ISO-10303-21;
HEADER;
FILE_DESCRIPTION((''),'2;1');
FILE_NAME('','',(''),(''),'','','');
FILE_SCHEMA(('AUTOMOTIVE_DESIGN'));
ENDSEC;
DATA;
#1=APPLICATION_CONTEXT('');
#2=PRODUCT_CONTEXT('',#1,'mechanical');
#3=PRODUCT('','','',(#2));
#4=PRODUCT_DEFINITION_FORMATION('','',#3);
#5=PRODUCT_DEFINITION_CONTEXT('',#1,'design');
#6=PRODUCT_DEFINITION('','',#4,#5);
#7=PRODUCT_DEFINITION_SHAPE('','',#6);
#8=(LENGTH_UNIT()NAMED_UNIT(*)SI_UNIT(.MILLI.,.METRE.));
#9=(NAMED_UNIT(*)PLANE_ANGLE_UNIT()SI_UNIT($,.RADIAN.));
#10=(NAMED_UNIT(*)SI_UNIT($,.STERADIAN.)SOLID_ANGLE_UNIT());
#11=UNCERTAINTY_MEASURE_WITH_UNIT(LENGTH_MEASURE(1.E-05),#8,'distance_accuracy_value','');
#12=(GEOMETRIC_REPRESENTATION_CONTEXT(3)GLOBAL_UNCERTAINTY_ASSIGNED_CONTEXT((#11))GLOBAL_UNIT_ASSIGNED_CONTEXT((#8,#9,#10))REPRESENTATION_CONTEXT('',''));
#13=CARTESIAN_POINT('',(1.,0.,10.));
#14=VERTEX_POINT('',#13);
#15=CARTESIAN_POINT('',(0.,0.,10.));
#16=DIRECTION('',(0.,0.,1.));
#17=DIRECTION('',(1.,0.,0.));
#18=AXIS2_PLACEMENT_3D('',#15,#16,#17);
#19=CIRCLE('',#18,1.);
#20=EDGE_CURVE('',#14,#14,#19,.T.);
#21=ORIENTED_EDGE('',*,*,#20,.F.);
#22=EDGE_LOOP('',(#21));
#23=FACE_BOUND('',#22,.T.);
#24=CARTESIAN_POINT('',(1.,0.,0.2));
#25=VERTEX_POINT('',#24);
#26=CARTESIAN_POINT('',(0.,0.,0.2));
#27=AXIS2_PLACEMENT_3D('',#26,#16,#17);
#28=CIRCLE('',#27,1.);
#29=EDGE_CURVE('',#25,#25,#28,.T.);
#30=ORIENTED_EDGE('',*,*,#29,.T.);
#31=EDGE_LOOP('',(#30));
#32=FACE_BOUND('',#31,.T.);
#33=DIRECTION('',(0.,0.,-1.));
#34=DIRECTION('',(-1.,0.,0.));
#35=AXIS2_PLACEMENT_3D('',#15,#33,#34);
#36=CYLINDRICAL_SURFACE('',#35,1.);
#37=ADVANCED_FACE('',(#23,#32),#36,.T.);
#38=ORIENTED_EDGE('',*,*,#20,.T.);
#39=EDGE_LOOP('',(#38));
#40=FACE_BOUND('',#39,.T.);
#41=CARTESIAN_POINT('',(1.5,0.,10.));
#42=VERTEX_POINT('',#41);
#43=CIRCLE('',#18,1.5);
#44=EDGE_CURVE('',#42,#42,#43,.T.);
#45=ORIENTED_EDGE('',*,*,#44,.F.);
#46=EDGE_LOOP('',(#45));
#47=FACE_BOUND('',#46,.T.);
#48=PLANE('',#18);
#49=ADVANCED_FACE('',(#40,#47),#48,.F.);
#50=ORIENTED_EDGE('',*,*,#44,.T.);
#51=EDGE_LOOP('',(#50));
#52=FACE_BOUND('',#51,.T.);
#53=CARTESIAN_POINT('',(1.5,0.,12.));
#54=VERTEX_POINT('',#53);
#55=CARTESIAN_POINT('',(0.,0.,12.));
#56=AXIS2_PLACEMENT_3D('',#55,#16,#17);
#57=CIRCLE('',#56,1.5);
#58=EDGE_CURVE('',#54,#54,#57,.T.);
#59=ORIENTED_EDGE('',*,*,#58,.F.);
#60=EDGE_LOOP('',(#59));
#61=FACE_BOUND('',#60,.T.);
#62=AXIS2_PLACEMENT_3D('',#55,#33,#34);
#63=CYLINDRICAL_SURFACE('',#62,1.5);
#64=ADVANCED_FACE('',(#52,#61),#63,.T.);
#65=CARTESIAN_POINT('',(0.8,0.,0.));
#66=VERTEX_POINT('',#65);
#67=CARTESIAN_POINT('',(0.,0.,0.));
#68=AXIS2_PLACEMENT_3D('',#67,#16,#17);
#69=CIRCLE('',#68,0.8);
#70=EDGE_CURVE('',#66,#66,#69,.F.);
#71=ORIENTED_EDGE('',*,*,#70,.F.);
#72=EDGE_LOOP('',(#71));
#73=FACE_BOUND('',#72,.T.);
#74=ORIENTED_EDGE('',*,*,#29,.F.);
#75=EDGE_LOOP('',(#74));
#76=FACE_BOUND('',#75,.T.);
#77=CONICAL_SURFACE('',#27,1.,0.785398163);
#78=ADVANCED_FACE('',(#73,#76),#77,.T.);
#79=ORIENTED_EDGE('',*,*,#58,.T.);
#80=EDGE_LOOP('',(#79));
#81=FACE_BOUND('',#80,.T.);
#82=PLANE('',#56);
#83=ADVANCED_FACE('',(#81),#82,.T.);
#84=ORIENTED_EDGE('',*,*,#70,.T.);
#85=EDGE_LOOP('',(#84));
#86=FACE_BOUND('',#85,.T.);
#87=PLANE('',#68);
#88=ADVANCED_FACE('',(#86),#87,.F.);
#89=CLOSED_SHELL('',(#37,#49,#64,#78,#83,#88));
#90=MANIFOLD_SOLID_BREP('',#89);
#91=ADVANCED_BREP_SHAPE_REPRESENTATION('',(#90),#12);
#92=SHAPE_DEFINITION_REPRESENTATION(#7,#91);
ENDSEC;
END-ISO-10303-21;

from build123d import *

# Parameters (mm, degrees)
CROQUIS1_R              = 1
SALIENTE_EXTRUIR1_DEPTH = 10
CHAFL_N1_SIZE           = 0.2
CROQUIS2_R              = 1.5
SALIENTE_EXTRUIR2_DEPTH = 2


with BuildPart() as part:
    # Croquis1 → Saliente-Extruir1 (new body)
    with BuildSketch(Plane.XY):
        Circle(CROQUIS1_R)
    extrude(amount=SALIENTE_EXTRUIR1_DEPTH)

    # Chaflán1
    chafl_n1_edges = [part.edges().sort_by_distance(p)[0] for p in [
        (-1, 0, 0),
    ]]
    chamfer(chafl_n1_edges, length=CHAFL_N1_SIZE)

    # Croquis2 → Saliente-Extruir2 (add)
    with BuildSketch(Plane.XY.offset(10)):
        Circle(CROQUIS2_R)
    extrude(amount=SALIENTE_EXTRUIR2_DEPTH)


solid = part.part
